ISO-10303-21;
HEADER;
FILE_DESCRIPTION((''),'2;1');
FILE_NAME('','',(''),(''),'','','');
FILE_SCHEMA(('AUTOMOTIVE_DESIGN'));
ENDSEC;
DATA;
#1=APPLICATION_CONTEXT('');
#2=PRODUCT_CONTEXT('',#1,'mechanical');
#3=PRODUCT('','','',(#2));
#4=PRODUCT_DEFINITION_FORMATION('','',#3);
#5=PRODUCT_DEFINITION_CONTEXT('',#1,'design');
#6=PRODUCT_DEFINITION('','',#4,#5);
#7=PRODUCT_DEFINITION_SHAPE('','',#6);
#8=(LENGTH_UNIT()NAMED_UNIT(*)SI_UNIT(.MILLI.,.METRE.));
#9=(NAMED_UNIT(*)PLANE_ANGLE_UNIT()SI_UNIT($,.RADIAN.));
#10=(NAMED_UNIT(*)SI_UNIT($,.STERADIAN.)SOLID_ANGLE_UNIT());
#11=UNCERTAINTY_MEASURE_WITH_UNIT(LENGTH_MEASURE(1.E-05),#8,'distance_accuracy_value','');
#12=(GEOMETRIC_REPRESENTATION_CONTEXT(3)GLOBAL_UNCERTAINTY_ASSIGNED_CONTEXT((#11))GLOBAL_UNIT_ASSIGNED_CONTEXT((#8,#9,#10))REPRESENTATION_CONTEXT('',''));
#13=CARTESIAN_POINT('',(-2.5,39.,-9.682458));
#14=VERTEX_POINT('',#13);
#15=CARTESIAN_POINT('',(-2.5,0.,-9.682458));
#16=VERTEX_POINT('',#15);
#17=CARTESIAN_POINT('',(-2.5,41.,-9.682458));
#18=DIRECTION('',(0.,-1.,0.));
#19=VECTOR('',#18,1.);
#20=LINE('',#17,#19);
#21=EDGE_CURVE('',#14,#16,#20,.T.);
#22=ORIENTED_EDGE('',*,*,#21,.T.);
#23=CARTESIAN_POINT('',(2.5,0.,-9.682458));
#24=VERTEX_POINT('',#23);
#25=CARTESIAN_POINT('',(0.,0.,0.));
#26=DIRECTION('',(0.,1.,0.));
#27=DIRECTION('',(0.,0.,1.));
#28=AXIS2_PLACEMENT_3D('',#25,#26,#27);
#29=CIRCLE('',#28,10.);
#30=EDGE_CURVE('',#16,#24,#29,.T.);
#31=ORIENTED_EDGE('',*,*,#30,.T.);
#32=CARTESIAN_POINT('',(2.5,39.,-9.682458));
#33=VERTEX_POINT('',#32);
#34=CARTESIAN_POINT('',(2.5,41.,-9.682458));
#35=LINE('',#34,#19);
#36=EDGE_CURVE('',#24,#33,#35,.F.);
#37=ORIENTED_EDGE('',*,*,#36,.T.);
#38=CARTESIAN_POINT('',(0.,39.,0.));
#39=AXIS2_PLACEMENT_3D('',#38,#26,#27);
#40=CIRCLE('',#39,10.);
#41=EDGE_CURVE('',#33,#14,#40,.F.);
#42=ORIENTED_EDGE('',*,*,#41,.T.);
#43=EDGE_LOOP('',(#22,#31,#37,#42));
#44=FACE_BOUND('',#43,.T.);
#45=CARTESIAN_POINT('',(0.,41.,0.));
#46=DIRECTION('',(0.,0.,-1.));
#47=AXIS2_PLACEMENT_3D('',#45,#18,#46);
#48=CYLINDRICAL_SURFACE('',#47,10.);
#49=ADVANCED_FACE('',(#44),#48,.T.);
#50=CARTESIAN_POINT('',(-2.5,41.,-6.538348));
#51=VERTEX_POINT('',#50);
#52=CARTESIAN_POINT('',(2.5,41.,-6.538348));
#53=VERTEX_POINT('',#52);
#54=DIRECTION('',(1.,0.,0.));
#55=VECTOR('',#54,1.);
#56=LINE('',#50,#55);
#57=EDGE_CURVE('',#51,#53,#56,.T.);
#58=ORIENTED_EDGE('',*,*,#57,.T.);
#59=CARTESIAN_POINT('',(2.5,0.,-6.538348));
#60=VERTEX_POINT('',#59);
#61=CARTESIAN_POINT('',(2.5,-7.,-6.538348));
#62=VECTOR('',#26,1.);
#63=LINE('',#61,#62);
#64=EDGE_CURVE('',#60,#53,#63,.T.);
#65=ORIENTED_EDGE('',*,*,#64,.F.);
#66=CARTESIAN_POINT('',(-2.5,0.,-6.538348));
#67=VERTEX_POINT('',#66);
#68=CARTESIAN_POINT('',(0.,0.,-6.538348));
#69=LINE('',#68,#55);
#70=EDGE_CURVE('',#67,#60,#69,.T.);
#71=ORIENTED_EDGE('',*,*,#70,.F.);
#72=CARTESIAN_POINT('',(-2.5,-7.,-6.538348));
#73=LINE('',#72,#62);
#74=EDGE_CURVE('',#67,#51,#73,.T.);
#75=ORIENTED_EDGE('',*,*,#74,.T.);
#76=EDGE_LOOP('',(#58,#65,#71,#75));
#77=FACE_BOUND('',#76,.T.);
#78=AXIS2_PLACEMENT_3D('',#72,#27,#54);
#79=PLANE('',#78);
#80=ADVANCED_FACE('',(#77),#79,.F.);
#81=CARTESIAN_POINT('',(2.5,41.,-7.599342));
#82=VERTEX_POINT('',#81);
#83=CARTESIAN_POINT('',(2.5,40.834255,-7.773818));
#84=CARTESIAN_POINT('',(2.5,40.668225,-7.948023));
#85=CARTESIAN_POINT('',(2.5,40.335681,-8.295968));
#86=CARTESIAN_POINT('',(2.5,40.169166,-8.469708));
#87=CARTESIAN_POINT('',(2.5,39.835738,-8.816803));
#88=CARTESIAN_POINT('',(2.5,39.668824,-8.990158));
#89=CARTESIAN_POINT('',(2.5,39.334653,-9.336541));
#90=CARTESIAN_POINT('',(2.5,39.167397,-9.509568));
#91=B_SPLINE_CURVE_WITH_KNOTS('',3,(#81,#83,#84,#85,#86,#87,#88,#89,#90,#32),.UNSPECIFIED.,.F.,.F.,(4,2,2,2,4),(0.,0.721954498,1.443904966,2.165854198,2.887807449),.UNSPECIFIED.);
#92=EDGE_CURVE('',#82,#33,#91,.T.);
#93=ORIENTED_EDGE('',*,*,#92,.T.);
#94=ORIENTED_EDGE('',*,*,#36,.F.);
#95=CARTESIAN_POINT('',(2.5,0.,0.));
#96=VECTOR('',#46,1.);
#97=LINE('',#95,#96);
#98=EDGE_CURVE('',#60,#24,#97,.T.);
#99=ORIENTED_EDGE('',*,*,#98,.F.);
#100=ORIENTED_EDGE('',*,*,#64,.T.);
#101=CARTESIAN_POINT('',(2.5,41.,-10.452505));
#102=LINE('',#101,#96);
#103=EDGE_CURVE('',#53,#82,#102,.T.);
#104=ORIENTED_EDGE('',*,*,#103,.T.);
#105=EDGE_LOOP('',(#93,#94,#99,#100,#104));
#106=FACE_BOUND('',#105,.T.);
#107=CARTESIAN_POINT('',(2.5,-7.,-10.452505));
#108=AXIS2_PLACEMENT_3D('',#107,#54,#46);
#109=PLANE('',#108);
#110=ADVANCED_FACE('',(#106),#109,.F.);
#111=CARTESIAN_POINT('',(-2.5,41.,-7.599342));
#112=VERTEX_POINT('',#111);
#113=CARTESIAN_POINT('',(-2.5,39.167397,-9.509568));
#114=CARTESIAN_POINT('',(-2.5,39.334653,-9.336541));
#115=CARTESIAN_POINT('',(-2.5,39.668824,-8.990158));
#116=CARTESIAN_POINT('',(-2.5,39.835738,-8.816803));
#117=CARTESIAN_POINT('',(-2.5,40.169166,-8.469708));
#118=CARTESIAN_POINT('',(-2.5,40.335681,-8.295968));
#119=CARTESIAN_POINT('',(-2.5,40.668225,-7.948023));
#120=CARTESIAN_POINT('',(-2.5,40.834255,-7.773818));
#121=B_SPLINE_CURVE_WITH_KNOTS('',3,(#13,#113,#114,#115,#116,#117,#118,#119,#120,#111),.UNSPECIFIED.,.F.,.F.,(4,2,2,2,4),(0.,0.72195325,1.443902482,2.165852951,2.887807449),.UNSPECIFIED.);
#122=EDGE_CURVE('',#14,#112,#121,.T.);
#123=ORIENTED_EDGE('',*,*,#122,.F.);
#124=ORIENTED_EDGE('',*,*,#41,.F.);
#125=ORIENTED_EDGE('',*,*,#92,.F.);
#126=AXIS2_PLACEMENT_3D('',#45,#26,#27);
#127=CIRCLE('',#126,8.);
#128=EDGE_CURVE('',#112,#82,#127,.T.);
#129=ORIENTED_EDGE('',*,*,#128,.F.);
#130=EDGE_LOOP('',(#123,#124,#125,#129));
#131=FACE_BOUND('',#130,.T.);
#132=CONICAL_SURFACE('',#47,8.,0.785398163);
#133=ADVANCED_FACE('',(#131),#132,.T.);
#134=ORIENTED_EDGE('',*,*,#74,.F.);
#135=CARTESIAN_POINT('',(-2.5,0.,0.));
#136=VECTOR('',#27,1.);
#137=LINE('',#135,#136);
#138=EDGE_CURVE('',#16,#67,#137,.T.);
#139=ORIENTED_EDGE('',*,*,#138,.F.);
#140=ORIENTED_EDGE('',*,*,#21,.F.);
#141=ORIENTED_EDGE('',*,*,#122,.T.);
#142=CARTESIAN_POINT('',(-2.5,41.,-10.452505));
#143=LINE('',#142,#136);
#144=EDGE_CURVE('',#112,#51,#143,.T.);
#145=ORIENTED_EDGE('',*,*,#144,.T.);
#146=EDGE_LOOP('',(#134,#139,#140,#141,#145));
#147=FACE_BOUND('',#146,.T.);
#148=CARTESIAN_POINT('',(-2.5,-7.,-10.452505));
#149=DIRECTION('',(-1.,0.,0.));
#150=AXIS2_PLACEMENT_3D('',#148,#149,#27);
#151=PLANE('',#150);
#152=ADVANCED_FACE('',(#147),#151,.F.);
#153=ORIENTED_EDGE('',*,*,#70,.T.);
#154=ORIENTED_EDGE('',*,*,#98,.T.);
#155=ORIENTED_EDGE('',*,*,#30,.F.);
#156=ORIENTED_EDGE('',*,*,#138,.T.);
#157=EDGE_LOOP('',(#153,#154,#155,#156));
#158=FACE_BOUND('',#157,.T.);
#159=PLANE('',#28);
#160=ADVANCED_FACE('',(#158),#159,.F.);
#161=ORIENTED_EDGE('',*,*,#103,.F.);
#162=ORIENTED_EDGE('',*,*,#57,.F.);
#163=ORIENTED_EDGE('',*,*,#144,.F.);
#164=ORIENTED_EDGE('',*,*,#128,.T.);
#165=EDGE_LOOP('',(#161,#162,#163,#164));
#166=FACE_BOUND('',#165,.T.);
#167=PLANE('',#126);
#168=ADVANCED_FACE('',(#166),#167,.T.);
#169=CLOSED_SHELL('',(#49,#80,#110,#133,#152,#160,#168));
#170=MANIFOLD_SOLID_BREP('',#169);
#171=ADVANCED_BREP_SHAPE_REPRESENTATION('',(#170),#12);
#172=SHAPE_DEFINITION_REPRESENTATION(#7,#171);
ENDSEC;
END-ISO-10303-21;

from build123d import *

# Parameters (mm, degrees)
SKETCH_1_R          = 10
EXTRUDE_1_DEPTH     = 41
SKETCH_2_W          = 5
SKETCH_2_H          = 3.914156893
CUT_EXTRUDE_1_DEPTH = 48
CHAMFER_1_SIZE      = 2


with BuildPart() as part:
    # Эскиз1 → Бобышка-Вытянуть1 (new body)
    with BuildSketch(Plane(origin=(0, 0, 0), x_dir=(1, 0, 0), z_dir=(0, 1, 0))):
        with Locations(Location((0, 0, 0), (0, 0, 270))):
            Circle(SKETCH_1_R)
    extrude(amount=EXTRUDE_1_DEPTH)

    # Эскиз2 → Вырез-Вытянуть1 (cut)
    with BuildSketch(Plane(origin=(0, 41, 0), x_dir=(1, 0, 0), z_dir=(0, 1, 0))):
        with Locations((0, 8.495426862)):
            Rectangle(SKETCH_2_W, SKETCH_2_H)
    extrude(amount=-CUT_EXTRUDE_1_DEPTH, mode=Mode.SUBTRACT)

    # Фаска1
    chamfer_1_edges = [part.edges().sort_by_distance(p)[0] for p in [
        (0, 41, 10),
    ]]
    chamfer(chamfer_1_edges, length=CHAMFER_1_SIZE)


solid = part.part
